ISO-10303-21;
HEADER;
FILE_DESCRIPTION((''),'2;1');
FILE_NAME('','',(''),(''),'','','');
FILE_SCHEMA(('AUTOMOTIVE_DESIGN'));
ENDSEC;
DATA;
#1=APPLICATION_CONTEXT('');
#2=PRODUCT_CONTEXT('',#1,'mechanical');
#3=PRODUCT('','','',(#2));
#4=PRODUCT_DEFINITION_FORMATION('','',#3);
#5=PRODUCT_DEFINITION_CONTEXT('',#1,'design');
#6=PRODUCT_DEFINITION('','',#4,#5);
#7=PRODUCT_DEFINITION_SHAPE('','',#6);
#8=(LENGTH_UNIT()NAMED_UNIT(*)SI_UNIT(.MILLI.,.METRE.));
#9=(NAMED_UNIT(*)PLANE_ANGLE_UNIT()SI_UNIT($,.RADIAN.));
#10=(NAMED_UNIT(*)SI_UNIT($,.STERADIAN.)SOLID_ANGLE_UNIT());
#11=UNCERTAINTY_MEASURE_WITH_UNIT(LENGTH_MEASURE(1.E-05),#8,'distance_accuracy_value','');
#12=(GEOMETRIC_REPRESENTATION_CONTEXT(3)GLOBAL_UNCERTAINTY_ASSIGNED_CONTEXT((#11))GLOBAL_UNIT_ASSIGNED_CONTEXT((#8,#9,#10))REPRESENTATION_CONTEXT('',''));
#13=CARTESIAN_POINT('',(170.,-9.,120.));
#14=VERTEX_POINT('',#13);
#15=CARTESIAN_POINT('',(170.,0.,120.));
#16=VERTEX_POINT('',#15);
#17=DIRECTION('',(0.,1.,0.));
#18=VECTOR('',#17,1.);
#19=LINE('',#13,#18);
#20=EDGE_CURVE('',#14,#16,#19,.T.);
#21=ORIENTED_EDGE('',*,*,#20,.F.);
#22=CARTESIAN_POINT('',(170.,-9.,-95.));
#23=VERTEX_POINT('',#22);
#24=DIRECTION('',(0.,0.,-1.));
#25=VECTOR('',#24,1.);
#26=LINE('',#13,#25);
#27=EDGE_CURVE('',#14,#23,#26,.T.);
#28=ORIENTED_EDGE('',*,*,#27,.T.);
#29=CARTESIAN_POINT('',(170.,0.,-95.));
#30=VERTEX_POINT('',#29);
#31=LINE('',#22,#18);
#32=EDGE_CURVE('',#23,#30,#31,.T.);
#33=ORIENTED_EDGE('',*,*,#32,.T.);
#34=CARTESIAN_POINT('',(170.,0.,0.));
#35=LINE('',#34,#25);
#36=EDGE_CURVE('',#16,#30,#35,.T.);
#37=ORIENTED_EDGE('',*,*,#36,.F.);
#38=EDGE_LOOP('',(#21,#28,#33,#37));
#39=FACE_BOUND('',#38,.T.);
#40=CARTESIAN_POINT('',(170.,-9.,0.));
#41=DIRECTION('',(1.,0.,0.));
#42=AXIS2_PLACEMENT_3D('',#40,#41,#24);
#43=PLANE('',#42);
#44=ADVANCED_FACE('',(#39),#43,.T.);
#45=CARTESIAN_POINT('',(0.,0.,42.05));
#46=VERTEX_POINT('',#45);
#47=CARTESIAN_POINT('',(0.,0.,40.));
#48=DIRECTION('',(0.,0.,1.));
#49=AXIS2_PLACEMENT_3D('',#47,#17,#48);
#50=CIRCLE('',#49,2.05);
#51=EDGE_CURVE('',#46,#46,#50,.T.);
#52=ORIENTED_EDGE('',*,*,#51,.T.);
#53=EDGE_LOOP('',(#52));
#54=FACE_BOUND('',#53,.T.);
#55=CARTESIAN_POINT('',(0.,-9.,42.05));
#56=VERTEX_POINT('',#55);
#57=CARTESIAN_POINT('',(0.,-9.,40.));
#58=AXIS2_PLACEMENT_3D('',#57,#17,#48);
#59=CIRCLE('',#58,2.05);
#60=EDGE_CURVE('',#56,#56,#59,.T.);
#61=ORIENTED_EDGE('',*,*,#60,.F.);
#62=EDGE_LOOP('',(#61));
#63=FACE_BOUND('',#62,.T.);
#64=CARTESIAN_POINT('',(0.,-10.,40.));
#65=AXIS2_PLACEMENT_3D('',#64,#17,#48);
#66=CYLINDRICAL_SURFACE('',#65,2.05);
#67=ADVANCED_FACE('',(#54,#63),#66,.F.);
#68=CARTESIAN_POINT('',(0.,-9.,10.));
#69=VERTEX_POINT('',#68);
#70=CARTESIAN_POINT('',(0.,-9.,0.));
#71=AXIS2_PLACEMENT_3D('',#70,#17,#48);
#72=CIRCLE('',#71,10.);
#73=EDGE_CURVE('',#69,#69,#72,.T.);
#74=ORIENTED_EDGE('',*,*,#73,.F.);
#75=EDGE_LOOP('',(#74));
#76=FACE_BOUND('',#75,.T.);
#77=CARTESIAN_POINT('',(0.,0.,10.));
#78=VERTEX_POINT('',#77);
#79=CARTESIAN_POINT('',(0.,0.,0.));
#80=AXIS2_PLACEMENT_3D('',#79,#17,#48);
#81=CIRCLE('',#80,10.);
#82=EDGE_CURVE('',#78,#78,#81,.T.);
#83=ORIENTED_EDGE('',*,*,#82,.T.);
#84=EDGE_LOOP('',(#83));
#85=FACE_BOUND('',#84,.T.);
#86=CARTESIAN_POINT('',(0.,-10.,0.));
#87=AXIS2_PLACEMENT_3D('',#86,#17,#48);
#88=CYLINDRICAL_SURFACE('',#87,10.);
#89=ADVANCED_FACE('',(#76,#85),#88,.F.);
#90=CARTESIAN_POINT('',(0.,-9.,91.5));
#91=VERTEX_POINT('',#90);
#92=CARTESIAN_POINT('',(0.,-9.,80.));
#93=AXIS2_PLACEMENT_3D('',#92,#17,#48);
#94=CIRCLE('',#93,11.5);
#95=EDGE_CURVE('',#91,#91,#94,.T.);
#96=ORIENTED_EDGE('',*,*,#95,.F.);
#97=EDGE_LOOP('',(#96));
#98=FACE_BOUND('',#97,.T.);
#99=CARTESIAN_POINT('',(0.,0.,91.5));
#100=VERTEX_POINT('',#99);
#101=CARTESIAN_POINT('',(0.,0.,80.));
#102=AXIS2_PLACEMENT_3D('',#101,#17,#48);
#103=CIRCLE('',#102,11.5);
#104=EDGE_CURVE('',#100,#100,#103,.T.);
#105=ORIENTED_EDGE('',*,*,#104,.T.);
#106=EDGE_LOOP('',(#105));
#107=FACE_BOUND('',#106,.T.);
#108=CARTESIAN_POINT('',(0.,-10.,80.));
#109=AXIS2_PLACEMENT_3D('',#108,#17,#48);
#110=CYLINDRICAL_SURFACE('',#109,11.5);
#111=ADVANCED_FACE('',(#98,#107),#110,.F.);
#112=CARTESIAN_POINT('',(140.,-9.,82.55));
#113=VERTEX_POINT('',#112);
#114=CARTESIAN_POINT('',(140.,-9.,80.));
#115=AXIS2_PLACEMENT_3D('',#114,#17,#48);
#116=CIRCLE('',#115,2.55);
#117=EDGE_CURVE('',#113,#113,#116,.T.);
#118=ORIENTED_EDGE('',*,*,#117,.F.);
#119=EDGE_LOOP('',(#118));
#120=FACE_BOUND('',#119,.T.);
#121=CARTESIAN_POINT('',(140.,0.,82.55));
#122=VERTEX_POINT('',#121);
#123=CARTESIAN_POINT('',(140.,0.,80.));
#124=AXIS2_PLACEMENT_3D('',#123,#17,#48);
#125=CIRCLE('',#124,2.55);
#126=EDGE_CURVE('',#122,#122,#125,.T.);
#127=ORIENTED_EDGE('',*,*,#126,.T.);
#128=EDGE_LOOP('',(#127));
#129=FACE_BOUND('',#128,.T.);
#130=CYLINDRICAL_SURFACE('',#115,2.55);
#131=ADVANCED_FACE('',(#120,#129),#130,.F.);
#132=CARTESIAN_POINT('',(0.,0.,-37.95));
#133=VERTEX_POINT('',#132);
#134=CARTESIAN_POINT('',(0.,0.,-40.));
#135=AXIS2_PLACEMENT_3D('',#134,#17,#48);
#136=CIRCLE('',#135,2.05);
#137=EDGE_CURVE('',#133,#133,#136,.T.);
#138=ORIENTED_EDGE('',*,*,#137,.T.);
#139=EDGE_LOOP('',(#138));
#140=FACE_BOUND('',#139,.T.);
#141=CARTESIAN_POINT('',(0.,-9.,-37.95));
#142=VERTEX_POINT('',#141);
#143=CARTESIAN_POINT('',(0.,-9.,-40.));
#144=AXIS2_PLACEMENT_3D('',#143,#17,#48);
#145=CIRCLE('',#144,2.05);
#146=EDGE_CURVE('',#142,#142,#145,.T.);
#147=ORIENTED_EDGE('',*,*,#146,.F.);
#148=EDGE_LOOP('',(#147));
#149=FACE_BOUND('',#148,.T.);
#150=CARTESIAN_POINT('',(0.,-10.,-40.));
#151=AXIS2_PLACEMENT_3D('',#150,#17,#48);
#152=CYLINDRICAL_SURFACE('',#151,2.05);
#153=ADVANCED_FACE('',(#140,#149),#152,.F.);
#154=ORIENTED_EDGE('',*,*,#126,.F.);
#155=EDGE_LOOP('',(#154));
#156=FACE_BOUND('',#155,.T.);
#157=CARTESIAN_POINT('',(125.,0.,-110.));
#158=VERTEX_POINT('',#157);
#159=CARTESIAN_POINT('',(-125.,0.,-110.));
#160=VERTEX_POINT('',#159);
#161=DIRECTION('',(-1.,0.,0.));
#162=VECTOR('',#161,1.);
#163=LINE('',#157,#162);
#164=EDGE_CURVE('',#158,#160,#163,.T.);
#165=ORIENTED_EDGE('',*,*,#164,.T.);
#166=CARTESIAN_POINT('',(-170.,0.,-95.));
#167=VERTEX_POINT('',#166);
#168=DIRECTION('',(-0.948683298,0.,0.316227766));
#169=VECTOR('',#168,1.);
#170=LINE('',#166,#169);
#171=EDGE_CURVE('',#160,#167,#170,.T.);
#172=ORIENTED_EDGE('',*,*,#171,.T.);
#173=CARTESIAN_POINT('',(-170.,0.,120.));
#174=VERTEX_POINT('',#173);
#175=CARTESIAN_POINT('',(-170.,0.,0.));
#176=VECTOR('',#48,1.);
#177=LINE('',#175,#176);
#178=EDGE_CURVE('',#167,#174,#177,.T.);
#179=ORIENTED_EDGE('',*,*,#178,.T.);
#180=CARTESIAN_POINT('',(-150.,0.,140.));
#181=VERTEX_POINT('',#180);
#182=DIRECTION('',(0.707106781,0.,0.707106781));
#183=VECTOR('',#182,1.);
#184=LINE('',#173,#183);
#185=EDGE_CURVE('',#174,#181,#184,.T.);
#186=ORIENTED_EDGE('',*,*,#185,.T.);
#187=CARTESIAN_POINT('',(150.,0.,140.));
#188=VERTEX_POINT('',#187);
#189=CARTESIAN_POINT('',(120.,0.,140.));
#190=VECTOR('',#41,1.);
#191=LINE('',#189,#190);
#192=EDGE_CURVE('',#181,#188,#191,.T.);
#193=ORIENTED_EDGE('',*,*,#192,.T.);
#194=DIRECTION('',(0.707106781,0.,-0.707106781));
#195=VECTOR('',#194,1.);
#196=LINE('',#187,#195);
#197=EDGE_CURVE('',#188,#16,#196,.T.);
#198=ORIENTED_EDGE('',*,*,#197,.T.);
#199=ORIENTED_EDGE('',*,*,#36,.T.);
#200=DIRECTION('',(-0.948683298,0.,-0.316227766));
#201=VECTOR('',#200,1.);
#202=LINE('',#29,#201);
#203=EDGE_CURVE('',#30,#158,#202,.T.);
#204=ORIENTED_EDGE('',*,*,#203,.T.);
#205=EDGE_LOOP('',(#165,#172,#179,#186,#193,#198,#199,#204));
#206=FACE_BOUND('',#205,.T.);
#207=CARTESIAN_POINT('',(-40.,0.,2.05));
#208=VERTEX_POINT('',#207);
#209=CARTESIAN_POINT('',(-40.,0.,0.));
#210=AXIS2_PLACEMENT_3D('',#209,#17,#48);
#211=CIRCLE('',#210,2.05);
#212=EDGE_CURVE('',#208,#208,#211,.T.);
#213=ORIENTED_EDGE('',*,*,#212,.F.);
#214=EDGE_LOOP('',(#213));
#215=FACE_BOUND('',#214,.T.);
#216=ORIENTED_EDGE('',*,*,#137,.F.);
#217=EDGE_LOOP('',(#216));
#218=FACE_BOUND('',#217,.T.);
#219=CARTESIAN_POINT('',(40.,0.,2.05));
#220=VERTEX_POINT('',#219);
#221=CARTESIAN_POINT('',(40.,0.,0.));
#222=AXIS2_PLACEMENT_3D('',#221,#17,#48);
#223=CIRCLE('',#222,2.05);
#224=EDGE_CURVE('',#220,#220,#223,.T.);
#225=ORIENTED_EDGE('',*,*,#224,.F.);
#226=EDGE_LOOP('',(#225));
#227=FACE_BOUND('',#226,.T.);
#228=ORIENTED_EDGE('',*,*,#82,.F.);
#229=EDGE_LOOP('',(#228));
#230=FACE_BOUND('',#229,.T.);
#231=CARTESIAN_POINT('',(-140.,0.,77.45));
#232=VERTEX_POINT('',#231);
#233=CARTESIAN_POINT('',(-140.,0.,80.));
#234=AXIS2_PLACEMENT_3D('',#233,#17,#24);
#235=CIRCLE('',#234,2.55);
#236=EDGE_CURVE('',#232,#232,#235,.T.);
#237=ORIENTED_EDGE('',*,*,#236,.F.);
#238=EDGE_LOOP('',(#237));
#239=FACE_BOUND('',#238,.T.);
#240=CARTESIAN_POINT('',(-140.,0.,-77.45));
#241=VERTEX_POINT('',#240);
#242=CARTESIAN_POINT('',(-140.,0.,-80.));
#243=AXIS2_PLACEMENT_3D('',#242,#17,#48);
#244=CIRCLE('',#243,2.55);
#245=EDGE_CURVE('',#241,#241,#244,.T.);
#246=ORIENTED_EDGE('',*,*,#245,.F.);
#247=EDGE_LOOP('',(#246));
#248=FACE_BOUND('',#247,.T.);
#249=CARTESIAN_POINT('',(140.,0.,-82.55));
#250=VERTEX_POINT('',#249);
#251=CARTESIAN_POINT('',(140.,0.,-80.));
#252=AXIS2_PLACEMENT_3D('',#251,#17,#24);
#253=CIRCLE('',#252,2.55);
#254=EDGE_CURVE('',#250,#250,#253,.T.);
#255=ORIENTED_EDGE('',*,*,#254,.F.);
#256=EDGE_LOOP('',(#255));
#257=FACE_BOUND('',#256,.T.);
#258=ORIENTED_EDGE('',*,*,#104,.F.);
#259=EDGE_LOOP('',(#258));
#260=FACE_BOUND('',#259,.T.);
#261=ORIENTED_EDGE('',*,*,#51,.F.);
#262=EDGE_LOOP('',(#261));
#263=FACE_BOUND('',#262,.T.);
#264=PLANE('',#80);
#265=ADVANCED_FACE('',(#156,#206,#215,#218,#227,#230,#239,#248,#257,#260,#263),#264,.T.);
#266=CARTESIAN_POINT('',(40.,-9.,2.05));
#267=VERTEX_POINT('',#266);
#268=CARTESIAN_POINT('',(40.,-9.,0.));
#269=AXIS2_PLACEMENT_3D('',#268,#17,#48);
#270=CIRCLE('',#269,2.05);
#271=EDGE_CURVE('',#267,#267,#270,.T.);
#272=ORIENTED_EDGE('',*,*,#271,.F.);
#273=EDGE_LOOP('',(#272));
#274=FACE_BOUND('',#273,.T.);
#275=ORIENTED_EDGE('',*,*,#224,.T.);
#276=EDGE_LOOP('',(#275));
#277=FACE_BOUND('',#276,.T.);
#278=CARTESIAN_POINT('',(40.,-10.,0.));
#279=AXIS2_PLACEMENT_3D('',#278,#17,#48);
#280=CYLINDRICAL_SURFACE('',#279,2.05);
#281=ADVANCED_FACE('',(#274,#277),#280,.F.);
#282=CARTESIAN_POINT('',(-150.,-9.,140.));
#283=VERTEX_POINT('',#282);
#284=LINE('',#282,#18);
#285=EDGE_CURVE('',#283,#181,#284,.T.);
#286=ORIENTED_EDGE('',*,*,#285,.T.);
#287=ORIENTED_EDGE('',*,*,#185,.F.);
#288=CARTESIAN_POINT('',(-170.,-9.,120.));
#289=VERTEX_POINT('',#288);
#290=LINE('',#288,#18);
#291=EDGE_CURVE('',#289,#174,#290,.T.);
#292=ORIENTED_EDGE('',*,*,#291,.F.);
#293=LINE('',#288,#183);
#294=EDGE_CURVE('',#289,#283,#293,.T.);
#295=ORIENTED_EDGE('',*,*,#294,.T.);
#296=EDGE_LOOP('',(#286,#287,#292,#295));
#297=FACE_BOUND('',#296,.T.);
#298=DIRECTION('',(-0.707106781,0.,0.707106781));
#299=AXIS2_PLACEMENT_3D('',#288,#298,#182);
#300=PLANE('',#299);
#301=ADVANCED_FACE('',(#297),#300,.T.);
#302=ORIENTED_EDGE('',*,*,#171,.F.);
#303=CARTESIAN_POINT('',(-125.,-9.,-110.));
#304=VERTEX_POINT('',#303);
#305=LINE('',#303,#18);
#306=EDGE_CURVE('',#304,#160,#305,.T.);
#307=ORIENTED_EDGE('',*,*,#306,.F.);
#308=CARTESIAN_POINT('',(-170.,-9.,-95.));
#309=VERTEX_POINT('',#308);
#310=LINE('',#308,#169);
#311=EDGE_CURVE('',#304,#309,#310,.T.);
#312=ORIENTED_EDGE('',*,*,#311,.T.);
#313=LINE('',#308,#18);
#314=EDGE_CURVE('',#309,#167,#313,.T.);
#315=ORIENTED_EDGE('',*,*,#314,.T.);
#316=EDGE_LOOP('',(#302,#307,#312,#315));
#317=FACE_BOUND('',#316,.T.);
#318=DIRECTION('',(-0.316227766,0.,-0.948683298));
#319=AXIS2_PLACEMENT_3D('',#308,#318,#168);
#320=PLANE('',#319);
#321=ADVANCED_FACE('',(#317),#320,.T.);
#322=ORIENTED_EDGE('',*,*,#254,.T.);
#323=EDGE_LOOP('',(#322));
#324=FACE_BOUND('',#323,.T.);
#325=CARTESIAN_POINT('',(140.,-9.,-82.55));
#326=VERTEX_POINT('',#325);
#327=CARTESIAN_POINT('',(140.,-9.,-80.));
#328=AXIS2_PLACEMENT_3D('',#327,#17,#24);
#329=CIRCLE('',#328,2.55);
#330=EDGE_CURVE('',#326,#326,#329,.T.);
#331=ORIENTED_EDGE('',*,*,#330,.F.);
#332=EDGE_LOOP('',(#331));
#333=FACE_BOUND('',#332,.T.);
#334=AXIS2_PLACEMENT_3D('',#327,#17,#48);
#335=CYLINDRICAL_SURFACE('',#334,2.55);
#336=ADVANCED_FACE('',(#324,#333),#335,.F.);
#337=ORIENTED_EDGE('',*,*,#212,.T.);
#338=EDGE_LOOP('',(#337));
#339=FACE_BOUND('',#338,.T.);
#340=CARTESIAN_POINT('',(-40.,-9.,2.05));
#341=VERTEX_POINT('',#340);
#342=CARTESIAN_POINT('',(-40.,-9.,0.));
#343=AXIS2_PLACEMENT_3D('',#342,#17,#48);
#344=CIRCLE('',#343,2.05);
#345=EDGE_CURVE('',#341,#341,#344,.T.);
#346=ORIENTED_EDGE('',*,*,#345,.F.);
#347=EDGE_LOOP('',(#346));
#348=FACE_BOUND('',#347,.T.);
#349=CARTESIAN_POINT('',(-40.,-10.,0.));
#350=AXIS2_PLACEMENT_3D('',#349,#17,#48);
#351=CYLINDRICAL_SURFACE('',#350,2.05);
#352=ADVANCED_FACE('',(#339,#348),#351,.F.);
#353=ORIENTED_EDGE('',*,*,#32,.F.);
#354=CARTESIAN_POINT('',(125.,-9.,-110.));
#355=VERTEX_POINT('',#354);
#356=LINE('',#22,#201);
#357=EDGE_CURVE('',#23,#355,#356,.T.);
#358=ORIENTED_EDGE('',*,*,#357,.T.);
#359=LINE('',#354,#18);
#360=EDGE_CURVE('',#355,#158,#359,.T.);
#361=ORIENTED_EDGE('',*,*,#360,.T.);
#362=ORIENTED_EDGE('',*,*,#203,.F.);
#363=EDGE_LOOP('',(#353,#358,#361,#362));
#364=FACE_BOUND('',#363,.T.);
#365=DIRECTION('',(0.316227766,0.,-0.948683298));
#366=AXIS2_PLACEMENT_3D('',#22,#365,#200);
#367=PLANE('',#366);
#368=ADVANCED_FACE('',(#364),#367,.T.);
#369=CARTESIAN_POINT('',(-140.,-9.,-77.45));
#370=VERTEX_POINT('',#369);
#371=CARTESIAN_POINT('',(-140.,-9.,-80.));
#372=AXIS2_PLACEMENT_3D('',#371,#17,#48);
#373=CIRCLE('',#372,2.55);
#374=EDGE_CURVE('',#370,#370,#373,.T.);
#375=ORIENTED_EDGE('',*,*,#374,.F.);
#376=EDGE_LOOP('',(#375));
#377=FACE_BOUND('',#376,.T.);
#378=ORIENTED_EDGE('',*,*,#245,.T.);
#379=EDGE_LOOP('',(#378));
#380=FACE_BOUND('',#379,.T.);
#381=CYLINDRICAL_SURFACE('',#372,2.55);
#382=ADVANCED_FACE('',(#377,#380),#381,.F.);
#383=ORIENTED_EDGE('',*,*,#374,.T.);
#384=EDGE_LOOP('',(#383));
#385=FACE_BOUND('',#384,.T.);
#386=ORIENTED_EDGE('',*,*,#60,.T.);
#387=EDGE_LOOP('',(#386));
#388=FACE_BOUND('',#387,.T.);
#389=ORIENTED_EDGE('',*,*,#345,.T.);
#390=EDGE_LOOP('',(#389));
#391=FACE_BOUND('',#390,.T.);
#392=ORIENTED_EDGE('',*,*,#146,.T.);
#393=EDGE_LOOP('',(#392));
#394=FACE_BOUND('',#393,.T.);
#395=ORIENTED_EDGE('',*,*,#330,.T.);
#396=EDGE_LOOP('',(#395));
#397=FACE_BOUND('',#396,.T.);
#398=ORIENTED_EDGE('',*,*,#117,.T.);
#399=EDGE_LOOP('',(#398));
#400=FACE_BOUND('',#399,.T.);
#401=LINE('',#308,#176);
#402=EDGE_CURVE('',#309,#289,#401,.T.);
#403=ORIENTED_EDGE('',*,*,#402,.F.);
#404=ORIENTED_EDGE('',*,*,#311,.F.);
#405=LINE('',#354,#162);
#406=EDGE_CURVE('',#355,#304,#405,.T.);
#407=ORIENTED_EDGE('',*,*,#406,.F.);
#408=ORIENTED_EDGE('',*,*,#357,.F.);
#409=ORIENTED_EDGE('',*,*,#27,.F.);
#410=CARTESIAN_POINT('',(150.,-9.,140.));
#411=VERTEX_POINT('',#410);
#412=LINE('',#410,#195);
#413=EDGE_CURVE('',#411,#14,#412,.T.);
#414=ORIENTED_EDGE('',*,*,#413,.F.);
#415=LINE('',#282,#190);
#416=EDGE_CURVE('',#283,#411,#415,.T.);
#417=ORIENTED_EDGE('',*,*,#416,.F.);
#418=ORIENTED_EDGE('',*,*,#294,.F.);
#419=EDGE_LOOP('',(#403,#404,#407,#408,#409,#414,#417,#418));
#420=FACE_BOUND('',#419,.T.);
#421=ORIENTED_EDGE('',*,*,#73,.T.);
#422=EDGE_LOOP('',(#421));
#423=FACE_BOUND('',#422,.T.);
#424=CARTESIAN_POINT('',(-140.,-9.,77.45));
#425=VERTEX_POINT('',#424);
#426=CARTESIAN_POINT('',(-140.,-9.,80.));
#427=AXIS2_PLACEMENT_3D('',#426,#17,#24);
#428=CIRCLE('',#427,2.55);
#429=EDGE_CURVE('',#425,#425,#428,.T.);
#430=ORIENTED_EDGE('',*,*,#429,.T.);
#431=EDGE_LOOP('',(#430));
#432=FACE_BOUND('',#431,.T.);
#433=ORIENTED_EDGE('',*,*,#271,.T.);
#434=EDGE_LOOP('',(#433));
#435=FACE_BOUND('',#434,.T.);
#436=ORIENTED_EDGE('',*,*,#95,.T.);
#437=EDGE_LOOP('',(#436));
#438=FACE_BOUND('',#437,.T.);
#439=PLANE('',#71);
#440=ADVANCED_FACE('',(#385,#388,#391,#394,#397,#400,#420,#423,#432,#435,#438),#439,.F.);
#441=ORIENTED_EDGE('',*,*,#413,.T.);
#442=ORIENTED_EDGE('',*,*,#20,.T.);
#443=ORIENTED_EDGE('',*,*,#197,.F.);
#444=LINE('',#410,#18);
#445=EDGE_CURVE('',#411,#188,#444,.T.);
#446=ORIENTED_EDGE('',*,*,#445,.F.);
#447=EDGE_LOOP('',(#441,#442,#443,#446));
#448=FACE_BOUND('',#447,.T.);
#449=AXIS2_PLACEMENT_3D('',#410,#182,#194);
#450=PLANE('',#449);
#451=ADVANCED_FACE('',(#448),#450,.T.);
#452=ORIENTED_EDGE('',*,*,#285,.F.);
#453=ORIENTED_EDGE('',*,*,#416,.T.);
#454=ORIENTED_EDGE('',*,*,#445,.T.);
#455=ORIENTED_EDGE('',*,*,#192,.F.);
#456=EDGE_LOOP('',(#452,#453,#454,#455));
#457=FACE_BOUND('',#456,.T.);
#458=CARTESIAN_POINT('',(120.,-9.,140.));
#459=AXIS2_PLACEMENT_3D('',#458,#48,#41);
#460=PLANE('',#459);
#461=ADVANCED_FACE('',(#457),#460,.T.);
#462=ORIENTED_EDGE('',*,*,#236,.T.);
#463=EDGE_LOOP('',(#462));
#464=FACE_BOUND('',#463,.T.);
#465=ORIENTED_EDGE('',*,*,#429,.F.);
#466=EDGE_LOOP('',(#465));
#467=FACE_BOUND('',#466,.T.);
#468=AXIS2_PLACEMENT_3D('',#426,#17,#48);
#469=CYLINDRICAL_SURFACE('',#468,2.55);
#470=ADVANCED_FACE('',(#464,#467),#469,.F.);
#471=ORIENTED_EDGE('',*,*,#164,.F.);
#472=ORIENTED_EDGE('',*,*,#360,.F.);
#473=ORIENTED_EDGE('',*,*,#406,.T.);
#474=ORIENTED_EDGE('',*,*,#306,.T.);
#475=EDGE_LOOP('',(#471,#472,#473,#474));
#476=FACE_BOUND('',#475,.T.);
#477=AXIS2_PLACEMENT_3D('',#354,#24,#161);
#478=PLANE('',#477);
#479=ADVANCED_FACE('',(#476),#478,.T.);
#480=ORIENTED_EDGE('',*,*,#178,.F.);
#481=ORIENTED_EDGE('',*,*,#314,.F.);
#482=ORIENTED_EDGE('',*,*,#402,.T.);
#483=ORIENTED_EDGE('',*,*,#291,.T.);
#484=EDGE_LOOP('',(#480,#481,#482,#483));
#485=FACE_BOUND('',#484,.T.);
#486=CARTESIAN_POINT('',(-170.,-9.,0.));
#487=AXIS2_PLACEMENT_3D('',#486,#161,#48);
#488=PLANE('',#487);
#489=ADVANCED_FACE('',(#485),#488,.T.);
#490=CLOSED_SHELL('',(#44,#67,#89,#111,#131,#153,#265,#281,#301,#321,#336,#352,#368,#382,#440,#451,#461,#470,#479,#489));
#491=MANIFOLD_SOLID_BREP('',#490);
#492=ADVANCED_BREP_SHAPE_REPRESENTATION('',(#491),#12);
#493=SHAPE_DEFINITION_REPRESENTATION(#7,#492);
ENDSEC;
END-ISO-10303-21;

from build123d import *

# Parameters (mm, degrees)
ESQUISSE3_R             = 2.55
STRUCTURE_DEPTH         = 9
ESQUISSE4_R             = 10
ESQUISSE4_R_2           = 11.5
ESQUISSE4_R_3           = 2.05
ENL_V_MAT_EXTRU_1_DEPTH = 10


with BuildPart() as part:
    # Esquisse3 → structure (new body)
    with BuildSketch(Plane(origin=(0, 0, 0), x_dir=(1, 0, 0), z_dir=(0, 1, 0))):
        Polygon((125, 110), (-125, 110), (-170, 95), (-170, 0), (-170, -120), (-150, -140), (-120, -140), (120, -140), (150, -140), (170, -120), (170, 0), (170, 95), align=None)
        with Locations(Location((-140, 80, 0), (0, 0, 270))):
            Circle(ESQUISSE3_R, mode=Mode.SUBTRACT)
        with Locations(Location((-140, -80, 0), (0, 0, 90))):
            Circle(ESQUISSE3_R, mode=Mode.SUBTRACT)
        with Locations(Location((140, -80, 0), (0, 0, 270))):
            Circle(ESQUISSE3_R, mode=Mode.SUBTRACT)
        with Locations(Location((140, 80, 0), (0, 0, 90))):
            Circle(ESQUISSE3_R, mode=Mode.SUBTRACT)
    extrude(amount=-STRUCTURE_DEPTH)

    # Esquisse4 → Enlèv. mat.-Extru.1 (cut)
    with BuildSketch(Plane(origin=(0, 0, 0), x_dir=(1, 0, 0), z_dir=(0, 1, 0))):
        with Locations(Location((0, 0, 0), (0, 0, 270))):
            Circle(ESQUISSE4_R)
        with Locations(Location((0, -80, 0), (0, 0, 270))):
            Circle(ESQUISSE4_R_2)
        with Locations(Location((0, 40, 0), (0, 0, 270))):
            Circle(ESQUISSE4_R_3)
        with Locations(Location((40, 0, 0), (0, 0, 270))):
            Circle(ESQUISSE4_R_3)
        with Locations(Location((0, -40, 0), (0, 0, 270))):
            Circle(ESQUISSE4_R_3)
        with Locations(Location((-40, 0, 0), (0, 0, 270))):
            Circle(ESQUISSE4_R_3)
    extrude(amount=-ENL_V_MAT_EXTRU_1_DEPTH, mode=Mode.SUBTRACT)


solid = part.part
